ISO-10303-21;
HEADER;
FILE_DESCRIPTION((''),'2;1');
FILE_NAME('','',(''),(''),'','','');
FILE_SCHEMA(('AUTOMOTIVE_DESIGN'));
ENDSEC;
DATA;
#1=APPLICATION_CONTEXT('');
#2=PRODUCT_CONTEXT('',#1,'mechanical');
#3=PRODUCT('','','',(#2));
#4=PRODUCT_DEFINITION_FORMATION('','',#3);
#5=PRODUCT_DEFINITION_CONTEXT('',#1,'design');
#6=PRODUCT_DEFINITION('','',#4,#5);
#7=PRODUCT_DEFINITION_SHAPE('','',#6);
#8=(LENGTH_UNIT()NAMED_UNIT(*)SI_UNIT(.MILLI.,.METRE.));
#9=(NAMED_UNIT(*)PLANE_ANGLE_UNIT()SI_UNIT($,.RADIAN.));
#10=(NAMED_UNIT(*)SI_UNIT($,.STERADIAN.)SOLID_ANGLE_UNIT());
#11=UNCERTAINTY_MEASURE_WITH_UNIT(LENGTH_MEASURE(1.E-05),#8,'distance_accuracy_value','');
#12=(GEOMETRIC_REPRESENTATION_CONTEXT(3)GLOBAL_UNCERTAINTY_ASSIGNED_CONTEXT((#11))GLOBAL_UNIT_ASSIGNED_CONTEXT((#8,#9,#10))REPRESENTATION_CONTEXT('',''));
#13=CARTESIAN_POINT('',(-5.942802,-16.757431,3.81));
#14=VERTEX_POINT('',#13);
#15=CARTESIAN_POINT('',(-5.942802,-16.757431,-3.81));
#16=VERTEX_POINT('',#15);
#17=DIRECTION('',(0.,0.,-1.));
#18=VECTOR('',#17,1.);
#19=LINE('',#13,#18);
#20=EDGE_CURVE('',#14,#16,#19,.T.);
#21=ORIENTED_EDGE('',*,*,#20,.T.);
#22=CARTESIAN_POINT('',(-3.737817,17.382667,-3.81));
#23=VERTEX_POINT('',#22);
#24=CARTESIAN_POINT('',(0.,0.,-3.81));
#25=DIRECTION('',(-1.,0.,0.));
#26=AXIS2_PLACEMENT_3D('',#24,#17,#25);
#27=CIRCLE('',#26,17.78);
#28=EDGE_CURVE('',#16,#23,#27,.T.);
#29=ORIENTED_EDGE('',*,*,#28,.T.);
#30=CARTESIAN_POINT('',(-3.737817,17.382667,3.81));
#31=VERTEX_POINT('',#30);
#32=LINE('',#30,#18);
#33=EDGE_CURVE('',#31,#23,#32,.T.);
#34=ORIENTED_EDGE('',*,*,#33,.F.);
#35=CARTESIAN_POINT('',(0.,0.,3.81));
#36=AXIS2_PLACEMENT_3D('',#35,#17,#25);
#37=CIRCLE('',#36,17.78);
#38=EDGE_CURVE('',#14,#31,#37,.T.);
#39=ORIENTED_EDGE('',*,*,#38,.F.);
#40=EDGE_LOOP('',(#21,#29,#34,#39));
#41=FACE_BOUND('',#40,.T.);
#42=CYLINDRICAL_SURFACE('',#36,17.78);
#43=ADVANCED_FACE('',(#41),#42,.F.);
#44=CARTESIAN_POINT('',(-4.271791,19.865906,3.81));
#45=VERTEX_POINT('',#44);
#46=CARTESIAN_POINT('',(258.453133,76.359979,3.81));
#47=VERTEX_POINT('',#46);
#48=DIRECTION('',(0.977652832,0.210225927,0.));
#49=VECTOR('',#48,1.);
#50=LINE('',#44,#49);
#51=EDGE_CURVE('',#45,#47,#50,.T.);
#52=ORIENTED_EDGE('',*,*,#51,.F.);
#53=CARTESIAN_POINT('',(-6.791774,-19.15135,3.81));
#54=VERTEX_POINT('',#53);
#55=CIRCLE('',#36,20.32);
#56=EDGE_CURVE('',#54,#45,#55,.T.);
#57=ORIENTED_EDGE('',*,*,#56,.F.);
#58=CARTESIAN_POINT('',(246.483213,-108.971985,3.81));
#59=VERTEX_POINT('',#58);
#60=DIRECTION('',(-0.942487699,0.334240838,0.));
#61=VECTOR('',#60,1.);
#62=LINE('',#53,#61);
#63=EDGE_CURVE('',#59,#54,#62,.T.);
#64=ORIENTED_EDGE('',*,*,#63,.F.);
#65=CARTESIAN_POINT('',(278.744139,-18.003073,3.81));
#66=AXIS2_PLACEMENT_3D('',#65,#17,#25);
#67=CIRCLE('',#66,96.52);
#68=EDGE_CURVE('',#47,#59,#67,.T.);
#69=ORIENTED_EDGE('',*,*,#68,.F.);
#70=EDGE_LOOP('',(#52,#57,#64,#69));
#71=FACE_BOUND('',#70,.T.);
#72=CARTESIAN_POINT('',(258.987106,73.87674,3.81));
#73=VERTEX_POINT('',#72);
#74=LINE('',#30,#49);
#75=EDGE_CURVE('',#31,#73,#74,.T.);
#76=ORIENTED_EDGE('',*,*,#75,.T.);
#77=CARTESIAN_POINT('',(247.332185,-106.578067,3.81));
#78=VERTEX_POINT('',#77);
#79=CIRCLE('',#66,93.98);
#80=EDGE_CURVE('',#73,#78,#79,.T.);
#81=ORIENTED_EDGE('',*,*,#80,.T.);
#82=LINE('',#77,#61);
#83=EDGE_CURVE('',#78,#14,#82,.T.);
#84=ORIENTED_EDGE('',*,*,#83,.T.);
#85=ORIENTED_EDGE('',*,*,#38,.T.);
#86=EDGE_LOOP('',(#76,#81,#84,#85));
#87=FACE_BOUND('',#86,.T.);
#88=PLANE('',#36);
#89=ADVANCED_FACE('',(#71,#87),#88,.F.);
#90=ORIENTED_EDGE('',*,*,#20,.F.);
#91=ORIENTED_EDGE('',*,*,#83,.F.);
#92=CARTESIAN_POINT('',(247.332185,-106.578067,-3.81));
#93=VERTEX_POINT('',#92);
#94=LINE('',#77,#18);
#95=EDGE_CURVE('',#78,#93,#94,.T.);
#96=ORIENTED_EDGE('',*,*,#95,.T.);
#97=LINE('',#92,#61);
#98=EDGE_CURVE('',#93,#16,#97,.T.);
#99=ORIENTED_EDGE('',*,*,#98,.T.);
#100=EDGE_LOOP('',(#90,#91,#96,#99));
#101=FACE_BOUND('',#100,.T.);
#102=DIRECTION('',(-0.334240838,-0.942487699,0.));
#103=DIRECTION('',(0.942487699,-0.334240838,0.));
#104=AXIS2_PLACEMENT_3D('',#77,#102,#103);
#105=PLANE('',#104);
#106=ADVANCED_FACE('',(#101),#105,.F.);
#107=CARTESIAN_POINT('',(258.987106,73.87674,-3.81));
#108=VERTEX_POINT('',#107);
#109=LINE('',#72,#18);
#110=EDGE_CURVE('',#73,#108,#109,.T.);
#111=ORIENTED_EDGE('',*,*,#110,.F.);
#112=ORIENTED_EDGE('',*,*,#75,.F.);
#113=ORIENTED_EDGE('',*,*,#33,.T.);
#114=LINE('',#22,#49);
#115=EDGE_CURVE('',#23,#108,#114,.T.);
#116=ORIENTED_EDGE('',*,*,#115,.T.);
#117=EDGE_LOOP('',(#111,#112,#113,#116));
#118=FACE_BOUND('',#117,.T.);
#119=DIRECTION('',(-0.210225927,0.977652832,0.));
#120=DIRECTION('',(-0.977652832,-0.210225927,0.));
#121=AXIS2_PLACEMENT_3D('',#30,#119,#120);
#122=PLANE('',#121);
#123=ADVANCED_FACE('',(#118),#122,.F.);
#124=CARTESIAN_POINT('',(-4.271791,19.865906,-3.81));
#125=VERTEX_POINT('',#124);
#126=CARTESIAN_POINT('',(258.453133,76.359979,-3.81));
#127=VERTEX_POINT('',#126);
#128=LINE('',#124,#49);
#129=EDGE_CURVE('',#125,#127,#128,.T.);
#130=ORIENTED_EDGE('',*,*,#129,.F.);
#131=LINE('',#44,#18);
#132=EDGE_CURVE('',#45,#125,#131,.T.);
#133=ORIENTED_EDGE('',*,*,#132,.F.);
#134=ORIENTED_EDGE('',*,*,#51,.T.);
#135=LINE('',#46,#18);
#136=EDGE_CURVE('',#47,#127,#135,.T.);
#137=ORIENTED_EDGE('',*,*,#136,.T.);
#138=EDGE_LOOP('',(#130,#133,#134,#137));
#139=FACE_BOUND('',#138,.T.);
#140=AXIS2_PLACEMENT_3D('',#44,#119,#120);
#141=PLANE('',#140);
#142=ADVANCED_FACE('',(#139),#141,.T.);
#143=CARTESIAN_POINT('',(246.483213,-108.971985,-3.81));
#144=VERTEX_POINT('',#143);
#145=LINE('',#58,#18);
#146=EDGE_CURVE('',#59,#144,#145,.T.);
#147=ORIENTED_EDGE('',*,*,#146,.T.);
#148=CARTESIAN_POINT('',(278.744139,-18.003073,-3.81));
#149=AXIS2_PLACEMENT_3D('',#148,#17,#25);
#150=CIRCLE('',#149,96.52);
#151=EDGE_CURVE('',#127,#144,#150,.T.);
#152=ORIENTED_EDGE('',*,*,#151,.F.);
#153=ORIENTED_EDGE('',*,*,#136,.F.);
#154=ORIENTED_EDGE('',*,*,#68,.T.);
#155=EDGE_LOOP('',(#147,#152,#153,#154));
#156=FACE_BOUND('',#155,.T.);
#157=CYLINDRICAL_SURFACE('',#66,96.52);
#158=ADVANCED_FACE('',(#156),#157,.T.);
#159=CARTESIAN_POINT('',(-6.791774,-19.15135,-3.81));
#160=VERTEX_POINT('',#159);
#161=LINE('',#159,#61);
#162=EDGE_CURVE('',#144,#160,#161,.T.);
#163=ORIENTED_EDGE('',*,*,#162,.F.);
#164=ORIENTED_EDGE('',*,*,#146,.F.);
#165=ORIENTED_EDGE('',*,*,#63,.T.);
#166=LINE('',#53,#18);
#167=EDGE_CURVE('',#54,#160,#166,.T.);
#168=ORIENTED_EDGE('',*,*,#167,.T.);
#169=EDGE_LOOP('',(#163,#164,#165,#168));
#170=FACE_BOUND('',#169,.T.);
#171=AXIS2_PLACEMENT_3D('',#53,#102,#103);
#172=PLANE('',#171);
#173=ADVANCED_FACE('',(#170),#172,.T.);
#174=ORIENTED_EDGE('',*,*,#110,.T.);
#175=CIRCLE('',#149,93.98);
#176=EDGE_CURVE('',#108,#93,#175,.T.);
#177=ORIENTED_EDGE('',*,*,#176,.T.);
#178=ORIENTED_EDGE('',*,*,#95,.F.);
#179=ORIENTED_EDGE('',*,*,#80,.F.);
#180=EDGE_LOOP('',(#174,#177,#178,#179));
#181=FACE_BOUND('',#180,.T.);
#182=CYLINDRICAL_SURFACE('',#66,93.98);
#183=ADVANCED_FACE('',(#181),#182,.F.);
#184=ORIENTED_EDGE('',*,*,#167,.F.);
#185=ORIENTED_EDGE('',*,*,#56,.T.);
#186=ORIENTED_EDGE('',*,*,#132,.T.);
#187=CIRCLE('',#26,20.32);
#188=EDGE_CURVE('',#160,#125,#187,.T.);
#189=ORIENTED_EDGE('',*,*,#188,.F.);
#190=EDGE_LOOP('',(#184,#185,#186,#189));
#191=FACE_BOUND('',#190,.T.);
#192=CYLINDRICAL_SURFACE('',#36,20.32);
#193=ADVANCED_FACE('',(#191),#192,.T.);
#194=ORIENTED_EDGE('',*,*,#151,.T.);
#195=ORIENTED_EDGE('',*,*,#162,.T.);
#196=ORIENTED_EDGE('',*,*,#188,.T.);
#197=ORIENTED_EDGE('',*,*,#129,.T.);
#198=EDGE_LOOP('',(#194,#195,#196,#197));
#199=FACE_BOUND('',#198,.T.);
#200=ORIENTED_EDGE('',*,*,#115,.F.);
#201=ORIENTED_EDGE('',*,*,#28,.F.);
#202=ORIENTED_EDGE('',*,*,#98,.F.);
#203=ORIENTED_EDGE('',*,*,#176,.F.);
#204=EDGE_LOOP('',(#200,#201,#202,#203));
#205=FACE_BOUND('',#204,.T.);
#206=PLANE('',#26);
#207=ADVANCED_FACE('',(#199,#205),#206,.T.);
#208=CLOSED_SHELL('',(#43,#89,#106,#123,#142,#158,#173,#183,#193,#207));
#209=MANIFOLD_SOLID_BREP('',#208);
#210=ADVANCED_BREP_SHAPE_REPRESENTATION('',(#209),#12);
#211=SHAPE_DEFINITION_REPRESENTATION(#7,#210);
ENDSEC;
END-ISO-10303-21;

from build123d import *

# Parameters (mm, degrees)
EXTRUDE_THIN1_DEPTH = 3.81


with BuildPart() as part:
    # Sketch2 → Extrude-Thin1 (new, symmetric)
    with BuildSketch(Plane.XY):
        with BuildLine():
            Line((246.483213384, -108.971985363), (-6.791773822, -19.15135004))
            ThreePointArc((-6.791773822, -19.15135004), (-20.277750715, 1.309666352), (-4.271790836, 19.865905543))
            Line((-4.271790836, 19.865905543), (258.453132567, 76.359978657))
            ThreePointArc((258.453132567, 76.359978657), (375.063454934, -24.223987846), (246.483213384, -108.971985363))
        make_face()
        with BuildLine():
            Line((247.332185112, -106.578066608), (-5.942802094, -16.757431285))
            ThreePointArc((-5.942802094, -16.757431285), (-17.743031875, 1.145958058), (-3.737816982, 17.38266735))
            Line((-3.737816982, 17.38266735), (258.987106422, 73.876740464))
            ThreePointArc((258.987106422, 73.876740464), (372.528736094, -24.060279552), (247.332185112, -106.578066608))
        make_face(mode=Mode.SUBTRACT)
    extrude(amount=EXTRUDE_THIN1_DEPTH, both=True)


solid = part.part
